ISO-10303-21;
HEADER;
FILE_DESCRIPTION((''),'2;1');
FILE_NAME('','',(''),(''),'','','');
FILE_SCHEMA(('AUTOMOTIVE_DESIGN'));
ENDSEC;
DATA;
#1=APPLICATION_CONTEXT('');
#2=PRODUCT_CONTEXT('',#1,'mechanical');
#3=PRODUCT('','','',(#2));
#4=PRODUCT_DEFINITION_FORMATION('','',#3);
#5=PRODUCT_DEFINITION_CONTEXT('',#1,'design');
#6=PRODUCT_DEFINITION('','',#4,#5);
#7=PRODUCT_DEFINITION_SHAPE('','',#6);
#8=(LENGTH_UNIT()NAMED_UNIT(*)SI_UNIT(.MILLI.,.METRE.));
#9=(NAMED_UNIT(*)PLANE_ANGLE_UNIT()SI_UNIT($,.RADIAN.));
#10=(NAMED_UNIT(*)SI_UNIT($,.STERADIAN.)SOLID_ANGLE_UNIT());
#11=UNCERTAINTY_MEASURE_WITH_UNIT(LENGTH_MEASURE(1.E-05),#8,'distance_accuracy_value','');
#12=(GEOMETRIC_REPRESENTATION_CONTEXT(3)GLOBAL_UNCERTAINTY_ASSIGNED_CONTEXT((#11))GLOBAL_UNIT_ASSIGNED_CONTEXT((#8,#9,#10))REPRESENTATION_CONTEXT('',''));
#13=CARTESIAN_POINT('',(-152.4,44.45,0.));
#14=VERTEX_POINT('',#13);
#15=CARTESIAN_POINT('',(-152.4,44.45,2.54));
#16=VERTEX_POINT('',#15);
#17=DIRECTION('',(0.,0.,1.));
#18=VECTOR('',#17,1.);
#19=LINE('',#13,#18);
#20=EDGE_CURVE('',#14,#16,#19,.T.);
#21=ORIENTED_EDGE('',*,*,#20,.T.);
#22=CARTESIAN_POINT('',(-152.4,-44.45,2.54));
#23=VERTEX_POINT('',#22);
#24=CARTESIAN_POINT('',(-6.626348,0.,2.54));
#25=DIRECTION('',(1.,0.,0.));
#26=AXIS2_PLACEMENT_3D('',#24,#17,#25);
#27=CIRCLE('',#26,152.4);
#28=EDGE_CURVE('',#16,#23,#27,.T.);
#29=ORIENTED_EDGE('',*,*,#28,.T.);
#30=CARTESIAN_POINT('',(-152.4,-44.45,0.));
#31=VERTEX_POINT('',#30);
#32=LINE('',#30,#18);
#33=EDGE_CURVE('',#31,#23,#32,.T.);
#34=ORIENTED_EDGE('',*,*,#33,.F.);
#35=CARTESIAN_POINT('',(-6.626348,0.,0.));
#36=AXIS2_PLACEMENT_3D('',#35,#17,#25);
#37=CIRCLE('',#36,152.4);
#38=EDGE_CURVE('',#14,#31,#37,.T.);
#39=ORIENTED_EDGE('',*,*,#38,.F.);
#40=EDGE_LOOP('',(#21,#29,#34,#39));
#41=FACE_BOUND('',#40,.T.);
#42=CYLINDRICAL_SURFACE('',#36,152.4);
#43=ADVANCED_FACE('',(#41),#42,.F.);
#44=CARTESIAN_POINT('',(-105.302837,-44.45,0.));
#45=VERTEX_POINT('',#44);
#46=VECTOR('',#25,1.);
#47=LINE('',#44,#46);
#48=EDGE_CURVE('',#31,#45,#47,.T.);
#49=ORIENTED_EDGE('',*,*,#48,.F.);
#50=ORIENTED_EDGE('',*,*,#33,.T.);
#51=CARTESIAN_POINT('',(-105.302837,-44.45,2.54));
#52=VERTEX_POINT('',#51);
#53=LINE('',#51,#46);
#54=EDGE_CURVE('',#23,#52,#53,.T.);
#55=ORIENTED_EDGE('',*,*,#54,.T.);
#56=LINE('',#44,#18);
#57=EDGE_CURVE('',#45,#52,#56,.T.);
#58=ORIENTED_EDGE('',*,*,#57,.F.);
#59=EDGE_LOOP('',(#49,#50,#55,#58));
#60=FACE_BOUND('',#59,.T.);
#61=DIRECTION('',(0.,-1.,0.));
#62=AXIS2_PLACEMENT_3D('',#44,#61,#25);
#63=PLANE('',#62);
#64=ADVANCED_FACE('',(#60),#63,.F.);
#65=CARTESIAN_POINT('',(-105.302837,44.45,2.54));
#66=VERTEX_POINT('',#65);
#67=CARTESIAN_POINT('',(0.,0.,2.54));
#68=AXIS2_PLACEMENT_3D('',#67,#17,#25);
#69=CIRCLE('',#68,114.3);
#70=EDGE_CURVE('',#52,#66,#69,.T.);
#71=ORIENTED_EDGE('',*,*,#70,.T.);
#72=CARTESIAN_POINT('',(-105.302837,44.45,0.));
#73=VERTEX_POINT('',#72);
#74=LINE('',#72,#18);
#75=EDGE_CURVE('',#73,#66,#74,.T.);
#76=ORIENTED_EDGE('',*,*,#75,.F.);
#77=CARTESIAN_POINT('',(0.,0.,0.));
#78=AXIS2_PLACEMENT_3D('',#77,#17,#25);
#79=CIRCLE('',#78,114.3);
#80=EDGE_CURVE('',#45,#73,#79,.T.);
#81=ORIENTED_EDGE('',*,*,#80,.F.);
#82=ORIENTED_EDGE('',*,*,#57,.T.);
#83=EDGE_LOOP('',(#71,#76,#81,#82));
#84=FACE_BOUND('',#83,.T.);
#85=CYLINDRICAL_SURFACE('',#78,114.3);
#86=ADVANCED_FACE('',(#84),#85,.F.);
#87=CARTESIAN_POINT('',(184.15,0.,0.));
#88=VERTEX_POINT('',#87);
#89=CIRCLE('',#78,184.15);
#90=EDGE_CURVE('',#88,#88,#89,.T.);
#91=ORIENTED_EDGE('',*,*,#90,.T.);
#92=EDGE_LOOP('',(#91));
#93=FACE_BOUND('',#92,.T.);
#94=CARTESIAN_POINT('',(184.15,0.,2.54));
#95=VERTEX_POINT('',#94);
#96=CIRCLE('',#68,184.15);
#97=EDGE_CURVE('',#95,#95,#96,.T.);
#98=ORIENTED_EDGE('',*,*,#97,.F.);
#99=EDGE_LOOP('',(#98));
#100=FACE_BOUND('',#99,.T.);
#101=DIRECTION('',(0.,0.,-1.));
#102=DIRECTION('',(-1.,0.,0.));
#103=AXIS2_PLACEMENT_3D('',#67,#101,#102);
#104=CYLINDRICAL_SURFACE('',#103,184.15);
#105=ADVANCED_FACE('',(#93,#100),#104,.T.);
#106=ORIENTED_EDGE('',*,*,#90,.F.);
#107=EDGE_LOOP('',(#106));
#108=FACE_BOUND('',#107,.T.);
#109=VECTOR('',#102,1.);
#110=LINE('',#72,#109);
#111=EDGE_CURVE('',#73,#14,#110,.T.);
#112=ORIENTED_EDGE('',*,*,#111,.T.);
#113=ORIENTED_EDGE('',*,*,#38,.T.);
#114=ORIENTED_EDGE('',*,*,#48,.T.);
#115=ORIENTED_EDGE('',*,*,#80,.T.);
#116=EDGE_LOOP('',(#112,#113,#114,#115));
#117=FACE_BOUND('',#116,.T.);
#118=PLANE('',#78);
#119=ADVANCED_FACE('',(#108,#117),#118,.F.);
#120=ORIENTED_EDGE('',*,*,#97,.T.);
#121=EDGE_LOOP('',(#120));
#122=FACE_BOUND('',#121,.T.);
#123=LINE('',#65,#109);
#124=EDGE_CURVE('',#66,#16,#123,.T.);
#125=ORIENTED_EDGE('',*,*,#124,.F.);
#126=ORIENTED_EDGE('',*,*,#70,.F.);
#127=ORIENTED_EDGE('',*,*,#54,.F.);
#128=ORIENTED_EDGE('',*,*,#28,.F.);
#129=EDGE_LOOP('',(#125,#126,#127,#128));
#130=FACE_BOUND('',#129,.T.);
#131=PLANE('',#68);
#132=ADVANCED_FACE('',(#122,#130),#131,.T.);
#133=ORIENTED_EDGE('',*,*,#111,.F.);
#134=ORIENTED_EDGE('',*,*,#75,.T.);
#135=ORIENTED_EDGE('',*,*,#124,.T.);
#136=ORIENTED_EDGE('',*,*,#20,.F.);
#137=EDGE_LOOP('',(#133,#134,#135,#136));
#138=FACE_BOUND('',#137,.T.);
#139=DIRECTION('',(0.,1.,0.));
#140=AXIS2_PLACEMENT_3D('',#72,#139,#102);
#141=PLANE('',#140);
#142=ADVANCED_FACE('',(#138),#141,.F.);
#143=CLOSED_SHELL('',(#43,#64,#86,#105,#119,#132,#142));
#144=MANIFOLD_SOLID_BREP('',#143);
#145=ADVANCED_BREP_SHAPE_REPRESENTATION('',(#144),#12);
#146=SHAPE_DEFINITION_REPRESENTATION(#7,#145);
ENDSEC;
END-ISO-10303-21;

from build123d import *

# Parameters (mm, degrees)
SKETCH1_R               = 184.15
BOSS_EXTRUDE1_DEPTH     = 2.54
CUT_EXTRUDE1_DEPTH      = 261.439813777
CUT_EXTRUDE1_DEPTH_BACK = 261.439813777


with BuildPart() as part:
    # Sketch1 → Boss-Extrude1 (new body)
    with BuildSketch(Plane.XY):
        Circle(SKETCH1_R)
    extrude(amount=BOSS_EXTRUDE1_DEPTH)

    # Sketch2 → Cut-Extrude1 (cut, two sides: drawn at the far end of the back side and taken through both)
    with BuildSketch(Plane.XY.offset(2.54).offset(-CUT_EXTRUDE1_DEPTH_BACK)):
        with BuildLine():
            Line((-105.302837094, -44.45), (-152.4, -44.45))
            ThreePointArc((-152.4, -44.45), (-159.026348403, 0), (-152.4, 44.45))
            Line((-152.4, 44.45), (-105.302837094, 44.45))
            ThreePointArc((-105.302837094, 44.45), (114.3, 0), (-105.302837094, -44.45))
        make_face()
    extrude(amount=CUT_EXTRUDE1_DEPTH + CUT_EXTRUDE1_DEPTH_BACK, mode=Mode.SUBTRACT)


solid = part.part
